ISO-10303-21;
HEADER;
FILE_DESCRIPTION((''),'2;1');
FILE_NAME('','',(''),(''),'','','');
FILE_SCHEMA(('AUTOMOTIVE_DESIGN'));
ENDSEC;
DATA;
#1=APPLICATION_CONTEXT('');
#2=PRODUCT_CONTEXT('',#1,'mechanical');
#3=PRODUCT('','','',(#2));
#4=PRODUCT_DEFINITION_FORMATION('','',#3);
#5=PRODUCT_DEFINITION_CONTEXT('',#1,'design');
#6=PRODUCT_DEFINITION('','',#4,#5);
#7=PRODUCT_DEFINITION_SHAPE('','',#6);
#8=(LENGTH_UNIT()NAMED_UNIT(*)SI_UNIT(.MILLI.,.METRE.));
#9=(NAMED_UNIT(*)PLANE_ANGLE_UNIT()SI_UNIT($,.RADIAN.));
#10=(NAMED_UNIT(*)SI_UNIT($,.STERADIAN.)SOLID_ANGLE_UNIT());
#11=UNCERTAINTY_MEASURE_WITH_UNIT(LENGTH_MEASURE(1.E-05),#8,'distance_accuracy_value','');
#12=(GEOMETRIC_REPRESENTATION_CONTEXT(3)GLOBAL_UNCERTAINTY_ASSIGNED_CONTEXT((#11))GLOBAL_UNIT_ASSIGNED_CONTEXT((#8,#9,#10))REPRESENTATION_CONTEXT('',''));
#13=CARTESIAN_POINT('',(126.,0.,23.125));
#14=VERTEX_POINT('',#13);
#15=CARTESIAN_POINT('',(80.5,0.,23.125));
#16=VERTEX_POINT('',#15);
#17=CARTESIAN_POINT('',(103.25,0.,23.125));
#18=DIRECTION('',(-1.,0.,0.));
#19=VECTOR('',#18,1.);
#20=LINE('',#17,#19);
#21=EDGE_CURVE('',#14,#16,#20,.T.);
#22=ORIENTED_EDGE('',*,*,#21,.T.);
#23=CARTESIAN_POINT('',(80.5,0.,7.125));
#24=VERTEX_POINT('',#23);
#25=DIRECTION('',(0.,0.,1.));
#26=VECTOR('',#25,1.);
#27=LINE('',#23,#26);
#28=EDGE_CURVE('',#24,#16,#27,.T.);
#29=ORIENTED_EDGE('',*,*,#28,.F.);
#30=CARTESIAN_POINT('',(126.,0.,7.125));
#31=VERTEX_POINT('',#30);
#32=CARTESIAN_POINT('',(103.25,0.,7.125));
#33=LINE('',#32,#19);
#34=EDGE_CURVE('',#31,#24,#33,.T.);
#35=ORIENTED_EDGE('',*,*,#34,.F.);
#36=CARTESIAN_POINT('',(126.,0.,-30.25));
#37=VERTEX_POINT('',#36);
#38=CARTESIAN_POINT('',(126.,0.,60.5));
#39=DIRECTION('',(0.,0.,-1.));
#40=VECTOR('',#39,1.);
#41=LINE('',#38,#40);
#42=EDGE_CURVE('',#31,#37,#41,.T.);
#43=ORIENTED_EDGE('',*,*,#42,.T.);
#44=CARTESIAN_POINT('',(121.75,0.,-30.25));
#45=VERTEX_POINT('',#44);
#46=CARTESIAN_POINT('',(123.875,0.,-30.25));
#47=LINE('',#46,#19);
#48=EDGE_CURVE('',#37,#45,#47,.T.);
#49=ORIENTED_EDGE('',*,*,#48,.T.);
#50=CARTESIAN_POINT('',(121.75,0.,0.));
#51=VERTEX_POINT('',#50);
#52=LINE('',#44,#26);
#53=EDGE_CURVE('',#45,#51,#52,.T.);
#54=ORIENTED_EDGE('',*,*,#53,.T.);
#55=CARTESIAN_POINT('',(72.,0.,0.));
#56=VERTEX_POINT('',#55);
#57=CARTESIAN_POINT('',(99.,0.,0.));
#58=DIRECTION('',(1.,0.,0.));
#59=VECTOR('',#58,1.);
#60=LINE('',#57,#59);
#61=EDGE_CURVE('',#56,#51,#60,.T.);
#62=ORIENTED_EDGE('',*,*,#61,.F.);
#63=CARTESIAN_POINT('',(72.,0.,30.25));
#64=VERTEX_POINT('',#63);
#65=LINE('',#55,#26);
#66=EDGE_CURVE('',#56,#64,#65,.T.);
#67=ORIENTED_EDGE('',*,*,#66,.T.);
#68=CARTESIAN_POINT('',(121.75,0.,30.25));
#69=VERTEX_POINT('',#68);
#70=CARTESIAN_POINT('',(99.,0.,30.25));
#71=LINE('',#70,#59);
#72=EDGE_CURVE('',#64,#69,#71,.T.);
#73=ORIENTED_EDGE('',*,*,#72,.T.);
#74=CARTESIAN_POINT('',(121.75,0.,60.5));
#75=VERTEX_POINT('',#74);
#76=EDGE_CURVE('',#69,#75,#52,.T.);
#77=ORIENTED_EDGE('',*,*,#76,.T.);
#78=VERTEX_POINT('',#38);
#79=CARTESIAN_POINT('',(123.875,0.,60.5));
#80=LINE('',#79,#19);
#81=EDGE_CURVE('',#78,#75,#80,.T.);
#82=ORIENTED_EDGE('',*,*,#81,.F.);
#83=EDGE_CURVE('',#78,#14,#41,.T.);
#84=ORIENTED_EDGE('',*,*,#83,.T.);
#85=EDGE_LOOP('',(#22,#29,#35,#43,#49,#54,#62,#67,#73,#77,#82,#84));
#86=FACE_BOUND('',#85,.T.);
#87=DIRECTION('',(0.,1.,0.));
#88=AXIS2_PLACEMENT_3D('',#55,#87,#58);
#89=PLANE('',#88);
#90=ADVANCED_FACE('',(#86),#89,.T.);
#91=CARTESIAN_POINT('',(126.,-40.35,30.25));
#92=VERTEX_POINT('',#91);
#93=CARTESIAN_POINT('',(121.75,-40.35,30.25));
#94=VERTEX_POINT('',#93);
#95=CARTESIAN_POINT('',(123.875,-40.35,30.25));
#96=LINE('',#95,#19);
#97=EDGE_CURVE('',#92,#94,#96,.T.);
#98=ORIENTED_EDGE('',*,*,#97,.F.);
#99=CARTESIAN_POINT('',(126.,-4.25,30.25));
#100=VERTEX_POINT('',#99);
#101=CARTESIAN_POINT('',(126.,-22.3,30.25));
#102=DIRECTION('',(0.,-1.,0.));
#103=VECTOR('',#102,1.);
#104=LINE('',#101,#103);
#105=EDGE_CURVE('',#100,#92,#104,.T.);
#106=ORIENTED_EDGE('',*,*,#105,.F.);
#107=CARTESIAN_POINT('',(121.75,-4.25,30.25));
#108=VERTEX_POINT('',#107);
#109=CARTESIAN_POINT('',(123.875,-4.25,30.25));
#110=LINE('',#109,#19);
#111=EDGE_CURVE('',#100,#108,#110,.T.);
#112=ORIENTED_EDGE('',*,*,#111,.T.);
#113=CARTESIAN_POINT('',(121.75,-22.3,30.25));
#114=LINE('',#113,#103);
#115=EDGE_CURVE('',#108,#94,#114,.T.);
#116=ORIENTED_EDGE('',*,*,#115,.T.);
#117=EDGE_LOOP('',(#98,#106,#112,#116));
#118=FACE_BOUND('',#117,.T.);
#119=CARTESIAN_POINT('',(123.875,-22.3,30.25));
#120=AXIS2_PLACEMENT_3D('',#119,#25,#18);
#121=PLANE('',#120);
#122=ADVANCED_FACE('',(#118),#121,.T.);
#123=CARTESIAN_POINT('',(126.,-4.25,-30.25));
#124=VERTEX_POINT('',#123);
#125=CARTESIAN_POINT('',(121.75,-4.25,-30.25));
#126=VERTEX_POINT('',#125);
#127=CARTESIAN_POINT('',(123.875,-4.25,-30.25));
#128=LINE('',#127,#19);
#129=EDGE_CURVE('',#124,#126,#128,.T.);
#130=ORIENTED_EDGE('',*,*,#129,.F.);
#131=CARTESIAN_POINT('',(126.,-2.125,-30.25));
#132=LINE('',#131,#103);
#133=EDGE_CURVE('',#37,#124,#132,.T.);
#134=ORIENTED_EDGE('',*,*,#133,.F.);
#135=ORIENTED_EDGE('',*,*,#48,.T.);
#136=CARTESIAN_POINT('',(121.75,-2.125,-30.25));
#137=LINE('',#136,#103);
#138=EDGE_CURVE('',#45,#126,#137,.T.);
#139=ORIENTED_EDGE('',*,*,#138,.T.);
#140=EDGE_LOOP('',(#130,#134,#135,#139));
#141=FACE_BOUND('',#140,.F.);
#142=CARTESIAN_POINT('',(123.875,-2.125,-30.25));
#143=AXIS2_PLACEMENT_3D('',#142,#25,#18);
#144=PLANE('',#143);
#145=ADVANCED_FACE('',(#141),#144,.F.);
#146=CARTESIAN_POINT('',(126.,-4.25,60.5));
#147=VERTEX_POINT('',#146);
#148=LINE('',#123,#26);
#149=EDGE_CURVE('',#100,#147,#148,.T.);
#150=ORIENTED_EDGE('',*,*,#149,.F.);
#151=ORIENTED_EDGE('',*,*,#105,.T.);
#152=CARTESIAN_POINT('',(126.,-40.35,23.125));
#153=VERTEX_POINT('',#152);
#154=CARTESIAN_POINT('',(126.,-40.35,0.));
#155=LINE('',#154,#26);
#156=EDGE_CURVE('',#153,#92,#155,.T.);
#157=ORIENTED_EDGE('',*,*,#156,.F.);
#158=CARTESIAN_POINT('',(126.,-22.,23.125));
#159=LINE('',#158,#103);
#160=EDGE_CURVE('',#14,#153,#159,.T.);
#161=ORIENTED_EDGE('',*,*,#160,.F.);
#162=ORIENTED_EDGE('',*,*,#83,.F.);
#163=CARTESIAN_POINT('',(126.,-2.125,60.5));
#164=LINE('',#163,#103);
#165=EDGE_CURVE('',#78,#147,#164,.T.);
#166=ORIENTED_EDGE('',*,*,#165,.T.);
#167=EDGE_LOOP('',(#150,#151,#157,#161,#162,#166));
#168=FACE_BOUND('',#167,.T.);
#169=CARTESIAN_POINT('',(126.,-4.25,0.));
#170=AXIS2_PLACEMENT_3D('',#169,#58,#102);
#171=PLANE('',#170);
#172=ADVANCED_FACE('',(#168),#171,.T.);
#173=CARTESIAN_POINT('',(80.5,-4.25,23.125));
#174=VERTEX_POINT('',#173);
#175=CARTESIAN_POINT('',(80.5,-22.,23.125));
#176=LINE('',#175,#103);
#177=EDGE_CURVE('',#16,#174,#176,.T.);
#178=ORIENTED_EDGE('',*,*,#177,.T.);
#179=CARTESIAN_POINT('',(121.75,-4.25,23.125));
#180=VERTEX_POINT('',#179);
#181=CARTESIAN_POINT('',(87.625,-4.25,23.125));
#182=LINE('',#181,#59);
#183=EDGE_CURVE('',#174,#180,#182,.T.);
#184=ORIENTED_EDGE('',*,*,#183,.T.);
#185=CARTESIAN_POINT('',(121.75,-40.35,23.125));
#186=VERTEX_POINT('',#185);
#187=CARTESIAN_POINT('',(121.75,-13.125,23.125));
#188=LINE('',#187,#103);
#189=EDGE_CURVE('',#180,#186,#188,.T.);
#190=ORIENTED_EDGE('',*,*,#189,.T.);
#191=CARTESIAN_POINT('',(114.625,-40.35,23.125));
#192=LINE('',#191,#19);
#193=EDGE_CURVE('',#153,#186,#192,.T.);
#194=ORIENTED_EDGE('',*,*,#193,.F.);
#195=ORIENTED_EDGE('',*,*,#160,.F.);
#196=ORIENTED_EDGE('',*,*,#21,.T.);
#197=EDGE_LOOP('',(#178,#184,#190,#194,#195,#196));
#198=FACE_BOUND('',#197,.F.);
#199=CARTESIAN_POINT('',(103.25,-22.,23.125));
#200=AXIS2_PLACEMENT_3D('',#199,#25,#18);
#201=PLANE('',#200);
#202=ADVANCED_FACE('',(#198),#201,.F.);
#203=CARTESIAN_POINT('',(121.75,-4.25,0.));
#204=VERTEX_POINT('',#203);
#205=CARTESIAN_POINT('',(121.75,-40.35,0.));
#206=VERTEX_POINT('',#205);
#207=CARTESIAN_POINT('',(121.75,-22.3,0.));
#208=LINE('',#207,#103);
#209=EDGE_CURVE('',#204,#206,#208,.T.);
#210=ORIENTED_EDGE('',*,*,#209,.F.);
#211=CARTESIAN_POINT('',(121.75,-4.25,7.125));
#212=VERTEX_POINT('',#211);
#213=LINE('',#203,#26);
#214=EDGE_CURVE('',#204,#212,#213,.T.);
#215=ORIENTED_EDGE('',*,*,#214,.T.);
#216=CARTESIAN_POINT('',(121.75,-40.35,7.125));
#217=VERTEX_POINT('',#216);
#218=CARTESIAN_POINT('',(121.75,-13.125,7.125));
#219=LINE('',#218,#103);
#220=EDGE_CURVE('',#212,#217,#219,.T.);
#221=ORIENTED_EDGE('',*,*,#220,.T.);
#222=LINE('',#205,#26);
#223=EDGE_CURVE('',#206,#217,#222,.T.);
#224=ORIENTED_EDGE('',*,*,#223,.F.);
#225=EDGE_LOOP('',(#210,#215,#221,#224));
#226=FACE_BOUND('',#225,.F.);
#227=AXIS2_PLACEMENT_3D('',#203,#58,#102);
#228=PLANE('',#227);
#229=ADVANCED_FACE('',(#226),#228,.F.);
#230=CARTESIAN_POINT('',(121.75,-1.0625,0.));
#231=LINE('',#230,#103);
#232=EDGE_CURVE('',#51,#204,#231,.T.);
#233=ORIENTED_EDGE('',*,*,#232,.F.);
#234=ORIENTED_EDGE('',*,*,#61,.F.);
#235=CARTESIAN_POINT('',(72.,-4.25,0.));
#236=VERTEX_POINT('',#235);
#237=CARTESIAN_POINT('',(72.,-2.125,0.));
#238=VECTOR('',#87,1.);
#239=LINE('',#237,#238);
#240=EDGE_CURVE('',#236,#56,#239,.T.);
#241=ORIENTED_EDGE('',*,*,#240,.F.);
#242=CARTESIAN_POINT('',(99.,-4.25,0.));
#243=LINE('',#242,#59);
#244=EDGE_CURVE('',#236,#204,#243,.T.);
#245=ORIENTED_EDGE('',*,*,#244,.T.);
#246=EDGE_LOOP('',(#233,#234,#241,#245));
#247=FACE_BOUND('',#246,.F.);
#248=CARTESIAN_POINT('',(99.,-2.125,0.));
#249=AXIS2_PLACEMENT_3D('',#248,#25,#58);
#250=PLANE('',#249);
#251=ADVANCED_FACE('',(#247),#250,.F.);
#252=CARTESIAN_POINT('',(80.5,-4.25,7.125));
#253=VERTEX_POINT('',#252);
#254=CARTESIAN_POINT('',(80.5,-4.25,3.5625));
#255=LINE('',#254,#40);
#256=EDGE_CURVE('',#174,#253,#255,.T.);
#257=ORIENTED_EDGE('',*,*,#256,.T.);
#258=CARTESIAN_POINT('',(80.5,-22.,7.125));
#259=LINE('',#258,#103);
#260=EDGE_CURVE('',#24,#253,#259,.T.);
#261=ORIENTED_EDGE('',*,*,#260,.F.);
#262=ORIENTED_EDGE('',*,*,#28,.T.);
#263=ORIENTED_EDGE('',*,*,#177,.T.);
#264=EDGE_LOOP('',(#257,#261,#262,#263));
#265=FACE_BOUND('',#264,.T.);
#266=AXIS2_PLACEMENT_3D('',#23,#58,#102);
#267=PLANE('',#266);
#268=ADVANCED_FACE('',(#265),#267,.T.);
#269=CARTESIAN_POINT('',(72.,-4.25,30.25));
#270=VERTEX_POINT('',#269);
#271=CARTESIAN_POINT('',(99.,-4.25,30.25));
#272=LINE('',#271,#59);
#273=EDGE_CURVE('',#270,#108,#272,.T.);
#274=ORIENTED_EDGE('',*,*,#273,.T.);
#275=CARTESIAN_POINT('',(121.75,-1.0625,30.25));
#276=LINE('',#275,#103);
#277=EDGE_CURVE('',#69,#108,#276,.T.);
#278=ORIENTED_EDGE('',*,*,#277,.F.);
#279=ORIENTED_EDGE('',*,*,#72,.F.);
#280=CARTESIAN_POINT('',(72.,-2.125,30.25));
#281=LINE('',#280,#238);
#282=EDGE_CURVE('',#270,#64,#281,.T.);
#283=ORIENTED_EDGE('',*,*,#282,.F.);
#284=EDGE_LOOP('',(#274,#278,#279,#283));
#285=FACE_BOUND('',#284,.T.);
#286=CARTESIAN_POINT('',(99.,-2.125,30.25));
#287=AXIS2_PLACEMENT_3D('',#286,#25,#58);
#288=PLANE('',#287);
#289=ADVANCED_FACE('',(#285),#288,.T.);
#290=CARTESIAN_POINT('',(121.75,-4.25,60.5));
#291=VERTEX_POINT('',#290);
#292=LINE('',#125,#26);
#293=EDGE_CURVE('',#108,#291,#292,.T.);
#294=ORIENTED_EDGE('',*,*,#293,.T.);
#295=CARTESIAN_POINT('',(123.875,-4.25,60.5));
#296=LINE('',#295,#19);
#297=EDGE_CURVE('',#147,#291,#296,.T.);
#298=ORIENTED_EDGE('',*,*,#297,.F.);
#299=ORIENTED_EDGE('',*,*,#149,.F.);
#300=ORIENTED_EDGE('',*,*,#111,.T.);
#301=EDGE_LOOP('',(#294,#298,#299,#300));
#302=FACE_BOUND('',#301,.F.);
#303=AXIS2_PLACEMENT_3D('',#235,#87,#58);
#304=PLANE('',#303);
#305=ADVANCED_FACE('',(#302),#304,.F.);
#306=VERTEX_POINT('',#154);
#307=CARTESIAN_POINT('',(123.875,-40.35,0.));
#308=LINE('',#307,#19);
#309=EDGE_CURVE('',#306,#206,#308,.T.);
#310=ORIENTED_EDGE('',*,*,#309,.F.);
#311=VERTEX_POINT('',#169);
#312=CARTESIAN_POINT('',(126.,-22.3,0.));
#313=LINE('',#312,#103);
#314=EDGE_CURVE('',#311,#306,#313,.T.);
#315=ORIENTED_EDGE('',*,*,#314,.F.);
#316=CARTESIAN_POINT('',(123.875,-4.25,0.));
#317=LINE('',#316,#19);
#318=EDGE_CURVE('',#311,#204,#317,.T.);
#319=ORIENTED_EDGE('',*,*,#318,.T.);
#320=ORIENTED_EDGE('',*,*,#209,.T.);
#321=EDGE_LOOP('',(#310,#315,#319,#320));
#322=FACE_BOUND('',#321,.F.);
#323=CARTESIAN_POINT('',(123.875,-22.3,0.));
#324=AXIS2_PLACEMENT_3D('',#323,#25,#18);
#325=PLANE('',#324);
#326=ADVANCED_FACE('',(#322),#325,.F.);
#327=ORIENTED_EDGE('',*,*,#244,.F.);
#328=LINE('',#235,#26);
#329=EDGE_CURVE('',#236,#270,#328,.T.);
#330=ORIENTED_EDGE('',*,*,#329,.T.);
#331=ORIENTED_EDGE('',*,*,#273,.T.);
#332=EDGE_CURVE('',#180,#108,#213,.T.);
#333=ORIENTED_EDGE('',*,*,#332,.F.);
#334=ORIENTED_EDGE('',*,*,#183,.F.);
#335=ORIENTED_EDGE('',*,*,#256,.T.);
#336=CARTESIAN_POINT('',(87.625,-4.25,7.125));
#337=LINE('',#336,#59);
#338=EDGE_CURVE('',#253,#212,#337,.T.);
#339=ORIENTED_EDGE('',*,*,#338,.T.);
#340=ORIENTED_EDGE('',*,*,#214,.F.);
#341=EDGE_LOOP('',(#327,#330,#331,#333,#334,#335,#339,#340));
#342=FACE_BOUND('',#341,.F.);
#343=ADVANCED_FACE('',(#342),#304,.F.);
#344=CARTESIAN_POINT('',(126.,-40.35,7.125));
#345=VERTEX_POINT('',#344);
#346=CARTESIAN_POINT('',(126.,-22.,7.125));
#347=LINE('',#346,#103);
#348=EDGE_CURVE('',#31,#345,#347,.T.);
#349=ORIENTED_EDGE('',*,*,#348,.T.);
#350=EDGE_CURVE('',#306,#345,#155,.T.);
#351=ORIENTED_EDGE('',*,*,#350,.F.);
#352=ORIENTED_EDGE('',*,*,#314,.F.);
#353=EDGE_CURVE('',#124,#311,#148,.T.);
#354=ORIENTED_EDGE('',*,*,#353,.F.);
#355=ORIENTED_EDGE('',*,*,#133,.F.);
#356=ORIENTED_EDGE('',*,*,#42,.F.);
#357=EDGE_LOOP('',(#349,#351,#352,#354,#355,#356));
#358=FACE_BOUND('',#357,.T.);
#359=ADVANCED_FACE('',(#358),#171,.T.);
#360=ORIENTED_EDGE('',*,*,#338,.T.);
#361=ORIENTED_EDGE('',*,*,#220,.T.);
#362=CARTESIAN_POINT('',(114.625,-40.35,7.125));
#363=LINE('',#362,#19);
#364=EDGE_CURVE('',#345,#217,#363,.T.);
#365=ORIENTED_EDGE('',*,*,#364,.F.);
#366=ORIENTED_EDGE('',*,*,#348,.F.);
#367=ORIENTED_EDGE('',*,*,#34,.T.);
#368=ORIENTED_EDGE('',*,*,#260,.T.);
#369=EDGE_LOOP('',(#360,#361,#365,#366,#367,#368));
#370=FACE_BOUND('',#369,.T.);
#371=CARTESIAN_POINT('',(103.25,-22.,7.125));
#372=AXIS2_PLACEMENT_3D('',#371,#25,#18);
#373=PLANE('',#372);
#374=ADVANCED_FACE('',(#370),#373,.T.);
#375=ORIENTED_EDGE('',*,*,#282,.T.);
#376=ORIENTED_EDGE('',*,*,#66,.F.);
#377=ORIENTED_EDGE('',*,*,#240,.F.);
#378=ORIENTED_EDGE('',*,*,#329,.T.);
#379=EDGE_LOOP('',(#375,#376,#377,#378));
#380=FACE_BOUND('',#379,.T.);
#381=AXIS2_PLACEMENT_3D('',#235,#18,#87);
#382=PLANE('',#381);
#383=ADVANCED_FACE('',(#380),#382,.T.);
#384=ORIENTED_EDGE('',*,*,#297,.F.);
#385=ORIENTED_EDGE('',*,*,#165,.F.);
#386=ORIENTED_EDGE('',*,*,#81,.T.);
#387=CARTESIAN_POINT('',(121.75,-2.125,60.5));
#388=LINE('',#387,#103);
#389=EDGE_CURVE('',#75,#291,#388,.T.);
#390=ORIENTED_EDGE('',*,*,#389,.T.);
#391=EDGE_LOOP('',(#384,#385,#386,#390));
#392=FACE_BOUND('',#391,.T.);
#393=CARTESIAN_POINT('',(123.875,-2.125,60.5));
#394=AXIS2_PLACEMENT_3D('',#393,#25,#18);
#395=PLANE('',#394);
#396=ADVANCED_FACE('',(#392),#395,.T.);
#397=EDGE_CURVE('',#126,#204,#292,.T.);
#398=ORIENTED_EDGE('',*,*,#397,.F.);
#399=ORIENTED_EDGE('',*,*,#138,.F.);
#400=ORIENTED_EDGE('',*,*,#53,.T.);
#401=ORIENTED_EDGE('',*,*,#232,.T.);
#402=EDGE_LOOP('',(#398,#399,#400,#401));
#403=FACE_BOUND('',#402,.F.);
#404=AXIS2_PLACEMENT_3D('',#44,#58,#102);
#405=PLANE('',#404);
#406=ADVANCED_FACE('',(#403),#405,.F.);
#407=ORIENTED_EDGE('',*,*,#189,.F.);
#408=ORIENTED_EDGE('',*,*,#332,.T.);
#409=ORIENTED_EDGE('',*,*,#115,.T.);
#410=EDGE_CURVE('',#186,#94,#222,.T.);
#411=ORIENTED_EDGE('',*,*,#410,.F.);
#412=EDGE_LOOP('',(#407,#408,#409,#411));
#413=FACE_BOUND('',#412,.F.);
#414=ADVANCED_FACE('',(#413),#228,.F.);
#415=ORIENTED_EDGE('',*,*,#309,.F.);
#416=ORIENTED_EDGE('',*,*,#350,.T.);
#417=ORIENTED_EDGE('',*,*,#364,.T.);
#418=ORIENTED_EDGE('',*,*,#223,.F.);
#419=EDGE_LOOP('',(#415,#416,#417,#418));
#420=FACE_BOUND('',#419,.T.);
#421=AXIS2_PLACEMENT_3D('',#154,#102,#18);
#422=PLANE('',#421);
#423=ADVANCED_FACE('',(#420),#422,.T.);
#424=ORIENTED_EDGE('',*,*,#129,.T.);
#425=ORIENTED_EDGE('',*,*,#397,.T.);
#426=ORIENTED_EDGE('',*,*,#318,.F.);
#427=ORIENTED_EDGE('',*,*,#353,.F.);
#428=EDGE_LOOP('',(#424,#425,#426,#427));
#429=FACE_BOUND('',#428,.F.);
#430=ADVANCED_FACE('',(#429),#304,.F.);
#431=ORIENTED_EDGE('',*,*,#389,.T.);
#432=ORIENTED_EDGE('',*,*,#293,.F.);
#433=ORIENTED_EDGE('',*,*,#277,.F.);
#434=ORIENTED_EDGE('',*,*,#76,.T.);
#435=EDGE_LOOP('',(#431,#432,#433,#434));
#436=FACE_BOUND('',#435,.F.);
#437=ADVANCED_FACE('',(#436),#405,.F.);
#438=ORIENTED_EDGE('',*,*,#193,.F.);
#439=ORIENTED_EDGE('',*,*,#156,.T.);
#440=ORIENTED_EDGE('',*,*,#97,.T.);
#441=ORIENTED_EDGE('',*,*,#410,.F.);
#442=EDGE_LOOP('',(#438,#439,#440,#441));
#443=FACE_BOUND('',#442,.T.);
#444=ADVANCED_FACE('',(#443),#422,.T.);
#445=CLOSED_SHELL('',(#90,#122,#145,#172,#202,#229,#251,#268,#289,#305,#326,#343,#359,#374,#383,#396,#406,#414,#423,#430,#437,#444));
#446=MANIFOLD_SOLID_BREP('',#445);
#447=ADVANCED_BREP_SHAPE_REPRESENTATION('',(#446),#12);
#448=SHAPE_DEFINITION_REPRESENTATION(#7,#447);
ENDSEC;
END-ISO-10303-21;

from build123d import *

# Parameters (mm, degrees)
BOX009_W     = 45.5
BOX009_H     = 44
BOX009_DEPTH = 16
BOX018_W     = 54
BOX018_H     = 4.25
BOX018_DEPTH = 30.25
BOX027_W     = 4.25
BOX027_H     = 4.25
BOX027_DEPTH = 90.75
BOX013_W     = 4.25
BOX013_H     = 36.1
BOX013_DEPTH = 30.25


with BuildPart() as cable_exclusion_zone:
    # Box009 → Box009 (new body)
    with BuildSketch(Plane(origin=(126, 0, 7.125), x_dir=(-1, 0, 0), z_dir=(0, 0, 1))):
        with Locations((22.75, 22)):
            Rectangle(BOX009_W, BOX009_H)
    extrude(amount=BOX009_DEPTH)


with BuildPart() as cube001:
    # Box018 → Box018 (new body)
    with BuildSketch(Plane(origin=(72, -4.25, 0), x_dir=(1, 0, 0), z_dir=(0, 0, 1))):
        with Locations((27, 2.125)):
            Rectangle(BOX018_W, BOX018_H)
    extrude(amount=BOX018_DEPTH)


with BuildPart() as base_support001:
    # Box027 → Box027 (new body)
    with BuildSketch(Plane(origin=(126, 0, -30.25), x_dir=(-1, 0, 0), z_dir=(0, 0, 1))):
        with Locations((2.125, 2.125)):
            Rectangle(BOX027_W, BOX027_H)
    extrude(amount=BOX027_DEPTH)


with BuildPart() as fusion005:
    # Fusion005 base: copy of base_support001
    add(base_support001.part)

    # Fusion005: union Cube001
    add(cube001.part)


with BuildPart() as base_support:
    # Box013 → Box013 (new body)
    with BuildSketch(Plane(origin=(126, -4.25, 0), x_dir=(-1, 0, 0), z_dir=(0, 0, 1))):
        with Locations((2.125, 18.05)):
            Rectangle(BOX013_W, BOX013_H)
    extrude(amount=BOX013_DEPTH)


with BuildPart() as cut004:
    # Fusion006 base: copy of base_support001
    add(base_support001.part)

    # Fusion006: union Cube001, Fusion005, base_support
    add(cube001.part)
    add(fusion005.part)
    add(base_support.part)

    # Cut004: cut cable_exclusion_zone
    add(cable_exclusion_zone.part, mode=Mode.SUBTRACT)


solid = cut004.part
